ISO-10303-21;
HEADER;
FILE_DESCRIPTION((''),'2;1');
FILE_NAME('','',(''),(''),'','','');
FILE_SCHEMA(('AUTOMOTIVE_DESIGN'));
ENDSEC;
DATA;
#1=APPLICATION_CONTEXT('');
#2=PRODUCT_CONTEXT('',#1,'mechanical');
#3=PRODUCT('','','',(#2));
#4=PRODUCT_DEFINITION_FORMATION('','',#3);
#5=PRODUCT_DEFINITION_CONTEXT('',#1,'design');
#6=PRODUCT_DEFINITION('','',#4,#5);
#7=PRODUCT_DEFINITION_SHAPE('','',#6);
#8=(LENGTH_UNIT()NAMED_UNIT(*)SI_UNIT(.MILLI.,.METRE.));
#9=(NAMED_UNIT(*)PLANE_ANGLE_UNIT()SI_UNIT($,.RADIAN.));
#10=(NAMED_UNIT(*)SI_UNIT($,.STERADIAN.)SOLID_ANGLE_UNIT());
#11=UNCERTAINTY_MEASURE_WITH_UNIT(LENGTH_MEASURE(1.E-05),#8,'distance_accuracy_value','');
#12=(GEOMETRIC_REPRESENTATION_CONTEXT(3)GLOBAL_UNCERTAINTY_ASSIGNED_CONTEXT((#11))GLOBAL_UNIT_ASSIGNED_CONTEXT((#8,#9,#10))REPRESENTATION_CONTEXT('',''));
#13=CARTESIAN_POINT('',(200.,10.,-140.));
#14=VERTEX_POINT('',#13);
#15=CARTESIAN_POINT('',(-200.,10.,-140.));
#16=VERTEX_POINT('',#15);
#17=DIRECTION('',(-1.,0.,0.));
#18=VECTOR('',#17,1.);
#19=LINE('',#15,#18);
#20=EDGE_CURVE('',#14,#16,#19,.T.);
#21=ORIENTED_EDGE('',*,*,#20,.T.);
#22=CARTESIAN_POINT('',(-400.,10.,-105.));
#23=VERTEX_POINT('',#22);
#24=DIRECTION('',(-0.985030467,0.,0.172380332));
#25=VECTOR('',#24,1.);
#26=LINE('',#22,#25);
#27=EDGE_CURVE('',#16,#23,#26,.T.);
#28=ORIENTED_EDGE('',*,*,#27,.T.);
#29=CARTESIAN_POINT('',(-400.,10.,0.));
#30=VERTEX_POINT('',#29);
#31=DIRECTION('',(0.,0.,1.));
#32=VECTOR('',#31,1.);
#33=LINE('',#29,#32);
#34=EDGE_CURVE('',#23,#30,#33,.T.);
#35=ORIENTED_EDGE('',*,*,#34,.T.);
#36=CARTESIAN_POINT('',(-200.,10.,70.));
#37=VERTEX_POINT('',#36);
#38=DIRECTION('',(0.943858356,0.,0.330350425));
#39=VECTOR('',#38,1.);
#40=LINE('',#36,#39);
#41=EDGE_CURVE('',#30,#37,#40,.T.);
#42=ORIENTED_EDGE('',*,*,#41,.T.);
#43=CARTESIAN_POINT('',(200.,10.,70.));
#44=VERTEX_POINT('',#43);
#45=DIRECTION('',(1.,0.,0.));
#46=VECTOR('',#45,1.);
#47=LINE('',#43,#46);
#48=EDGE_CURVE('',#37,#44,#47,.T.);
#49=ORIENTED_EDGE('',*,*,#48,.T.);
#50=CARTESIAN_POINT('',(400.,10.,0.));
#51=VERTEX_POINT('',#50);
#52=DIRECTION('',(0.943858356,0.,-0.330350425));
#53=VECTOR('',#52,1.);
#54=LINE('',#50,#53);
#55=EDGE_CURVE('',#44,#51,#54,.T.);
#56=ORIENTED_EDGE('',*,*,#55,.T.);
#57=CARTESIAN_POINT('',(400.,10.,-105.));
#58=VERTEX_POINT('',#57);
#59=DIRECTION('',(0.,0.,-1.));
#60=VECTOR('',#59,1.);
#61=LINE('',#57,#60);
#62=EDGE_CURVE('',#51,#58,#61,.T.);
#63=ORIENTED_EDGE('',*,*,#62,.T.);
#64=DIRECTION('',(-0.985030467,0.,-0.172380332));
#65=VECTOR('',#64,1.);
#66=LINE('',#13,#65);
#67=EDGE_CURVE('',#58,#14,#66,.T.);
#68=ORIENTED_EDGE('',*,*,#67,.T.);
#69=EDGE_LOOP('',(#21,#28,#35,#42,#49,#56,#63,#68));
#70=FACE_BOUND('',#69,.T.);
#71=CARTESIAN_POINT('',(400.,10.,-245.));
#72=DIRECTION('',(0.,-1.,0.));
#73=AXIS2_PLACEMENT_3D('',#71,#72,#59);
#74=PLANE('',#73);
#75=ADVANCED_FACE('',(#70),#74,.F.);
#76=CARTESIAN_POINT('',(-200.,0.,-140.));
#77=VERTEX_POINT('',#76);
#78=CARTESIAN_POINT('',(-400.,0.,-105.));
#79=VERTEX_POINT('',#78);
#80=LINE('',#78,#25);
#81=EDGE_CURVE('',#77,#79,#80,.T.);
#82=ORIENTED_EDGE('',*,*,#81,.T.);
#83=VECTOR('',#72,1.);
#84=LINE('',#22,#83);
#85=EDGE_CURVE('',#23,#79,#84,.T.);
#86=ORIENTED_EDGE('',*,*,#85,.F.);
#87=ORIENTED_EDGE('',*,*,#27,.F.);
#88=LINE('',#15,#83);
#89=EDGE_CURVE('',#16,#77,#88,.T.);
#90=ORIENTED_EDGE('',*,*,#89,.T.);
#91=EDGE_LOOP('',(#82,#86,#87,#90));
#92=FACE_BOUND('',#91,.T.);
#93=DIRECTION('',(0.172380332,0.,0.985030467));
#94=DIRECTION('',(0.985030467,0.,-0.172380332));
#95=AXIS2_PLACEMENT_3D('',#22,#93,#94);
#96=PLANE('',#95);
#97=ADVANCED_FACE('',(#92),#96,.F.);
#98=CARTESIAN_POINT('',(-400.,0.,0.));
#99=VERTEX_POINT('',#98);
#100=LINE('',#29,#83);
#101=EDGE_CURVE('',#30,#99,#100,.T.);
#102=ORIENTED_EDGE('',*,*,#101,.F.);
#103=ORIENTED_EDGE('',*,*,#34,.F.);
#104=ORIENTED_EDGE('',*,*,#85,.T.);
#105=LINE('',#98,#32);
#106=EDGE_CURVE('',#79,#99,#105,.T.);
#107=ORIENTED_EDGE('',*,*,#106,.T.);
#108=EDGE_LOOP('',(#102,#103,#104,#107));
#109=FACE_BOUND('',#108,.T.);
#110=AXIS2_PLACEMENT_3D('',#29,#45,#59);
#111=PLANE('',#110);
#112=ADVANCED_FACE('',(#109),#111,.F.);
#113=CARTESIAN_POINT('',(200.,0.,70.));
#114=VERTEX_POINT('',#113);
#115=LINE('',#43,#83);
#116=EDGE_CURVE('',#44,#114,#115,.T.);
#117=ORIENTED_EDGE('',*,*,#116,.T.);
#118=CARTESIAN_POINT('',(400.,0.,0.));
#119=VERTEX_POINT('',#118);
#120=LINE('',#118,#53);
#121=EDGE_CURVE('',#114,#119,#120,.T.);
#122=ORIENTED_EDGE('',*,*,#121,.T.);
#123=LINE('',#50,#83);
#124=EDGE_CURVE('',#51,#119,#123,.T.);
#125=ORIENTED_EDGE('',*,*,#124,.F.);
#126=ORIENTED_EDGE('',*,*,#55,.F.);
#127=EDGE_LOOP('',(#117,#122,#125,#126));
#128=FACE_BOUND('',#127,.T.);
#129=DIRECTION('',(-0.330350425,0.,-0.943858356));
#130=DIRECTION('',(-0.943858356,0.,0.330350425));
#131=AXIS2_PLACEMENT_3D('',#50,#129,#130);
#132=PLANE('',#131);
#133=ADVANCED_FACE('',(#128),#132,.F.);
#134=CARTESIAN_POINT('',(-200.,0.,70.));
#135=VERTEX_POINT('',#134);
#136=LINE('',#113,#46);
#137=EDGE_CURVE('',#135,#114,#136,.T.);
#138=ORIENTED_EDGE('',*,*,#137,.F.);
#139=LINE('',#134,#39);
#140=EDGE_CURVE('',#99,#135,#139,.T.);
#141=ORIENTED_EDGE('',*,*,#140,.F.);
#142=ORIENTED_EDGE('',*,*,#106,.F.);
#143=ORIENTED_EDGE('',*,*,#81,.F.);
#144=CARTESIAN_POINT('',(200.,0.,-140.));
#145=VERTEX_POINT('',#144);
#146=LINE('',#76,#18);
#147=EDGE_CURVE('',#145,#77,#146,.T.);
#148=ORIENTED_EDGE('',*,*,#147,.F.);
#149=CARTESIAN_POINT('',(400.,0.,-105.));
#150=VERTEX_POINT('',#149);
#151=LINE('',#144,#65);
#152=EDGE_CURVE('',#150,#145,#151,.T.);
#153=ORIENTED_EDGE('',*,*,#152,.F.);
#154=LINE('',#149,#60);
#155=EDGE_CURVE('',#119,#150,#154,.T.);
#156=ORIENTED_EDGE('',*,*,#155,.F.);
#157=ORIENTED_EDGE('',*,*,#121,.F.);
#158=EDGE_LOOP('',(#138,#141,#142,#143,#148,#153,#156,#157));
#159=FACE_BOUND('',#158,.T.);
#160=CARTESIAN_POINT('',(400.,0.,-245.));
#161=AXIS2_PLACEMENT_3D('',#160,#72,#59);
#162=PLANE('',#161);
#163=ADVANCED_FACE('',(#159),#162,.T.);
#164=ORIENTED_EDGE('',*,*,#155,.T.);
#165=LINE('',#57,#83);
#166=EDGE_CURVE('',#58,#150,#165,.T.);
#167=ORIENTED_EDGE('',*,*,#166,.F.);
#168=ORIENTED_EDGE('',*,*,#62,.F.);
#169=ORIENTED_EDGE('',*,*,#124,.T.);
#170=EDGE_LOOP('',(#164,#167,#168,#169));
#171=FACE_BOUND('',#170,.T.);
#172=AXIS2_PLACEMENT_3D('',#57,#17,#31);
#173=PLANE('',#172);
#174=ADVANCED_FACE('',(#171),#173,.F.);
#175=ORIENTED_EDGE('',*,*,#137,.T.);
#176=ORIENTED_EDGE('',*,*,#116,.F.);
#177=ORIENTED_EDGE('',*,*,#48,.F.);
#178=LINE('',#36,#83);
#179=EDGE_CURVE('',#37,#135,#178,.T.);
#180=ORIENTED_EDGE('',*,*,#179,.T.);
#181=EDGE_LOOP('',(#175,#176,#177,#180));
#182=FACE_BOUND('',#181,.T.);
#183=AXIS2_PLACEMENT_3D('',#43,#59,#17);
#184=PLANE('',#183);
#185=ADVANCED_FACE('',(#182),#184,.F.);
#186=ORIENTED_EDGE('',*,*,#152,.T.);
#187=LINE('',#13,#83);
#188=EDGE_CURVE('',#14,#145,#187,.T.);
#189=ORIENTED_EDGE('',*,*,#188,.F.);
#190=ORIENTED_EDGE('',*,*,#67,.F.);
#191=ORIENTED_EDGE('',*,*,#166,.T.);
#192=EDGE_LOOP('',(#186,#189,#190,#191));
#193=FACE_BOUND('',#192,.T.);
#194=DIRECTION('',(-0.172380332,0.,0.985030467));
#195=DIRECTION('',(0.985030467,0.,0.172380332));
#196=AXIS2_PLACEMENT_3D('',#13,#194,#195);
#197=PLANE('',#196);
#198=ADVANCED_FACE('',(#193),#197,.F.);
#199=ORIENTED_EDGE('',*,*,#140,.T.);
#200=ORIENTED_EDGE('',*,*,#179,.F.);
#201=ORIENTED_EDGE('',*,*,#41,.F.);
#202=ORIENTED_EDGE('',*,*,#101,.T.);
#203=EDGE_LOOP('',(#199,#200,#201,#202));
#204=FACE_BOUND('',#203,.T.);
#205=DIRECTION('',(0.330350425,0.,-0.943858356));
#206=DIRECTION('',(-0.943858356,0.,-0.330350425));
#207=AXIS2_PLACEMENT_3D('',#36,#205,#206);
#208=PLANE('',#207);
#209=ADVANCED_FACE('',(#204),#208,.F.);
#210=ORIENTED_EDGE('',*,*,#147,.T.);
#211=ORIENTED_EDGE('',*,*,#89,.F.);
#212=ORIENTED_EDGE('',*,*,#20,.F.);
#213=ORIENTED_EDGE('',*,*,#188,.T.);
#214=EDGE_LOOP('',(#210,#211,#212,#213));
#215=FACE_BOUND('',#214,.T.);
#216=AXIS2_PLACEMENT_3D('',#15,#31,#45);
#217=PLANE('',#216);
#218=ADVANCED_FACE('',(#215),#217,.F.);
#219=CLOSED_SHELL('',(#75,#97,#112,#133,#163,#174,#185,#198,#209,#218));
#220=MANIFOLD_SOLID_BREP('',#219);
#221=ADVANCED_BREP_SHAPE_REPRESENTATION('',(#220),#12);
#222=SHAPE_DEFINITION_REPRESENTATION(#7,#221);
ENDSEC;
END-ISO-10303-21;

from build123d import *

# Parameters (mm, degrees)
EXTRUDE_1_DEPTH = 10


with BuildPart() as part:
    # 草图1 → 拉伸1 (new body)
    with BuildSketch(Plane(origin=(0, 0, 0), x_dir=(1, 0, 0), z_dir=(0, 1, 0))):
        Polygon((-200, 140), (200, 140), (400, 105), (400, 0), (200, -70), (-200, -70), (-400, 0), (-400, 105), align=None)
    extrude(amount=EXTRUDE_1_DEPTH)


solid = part.part
